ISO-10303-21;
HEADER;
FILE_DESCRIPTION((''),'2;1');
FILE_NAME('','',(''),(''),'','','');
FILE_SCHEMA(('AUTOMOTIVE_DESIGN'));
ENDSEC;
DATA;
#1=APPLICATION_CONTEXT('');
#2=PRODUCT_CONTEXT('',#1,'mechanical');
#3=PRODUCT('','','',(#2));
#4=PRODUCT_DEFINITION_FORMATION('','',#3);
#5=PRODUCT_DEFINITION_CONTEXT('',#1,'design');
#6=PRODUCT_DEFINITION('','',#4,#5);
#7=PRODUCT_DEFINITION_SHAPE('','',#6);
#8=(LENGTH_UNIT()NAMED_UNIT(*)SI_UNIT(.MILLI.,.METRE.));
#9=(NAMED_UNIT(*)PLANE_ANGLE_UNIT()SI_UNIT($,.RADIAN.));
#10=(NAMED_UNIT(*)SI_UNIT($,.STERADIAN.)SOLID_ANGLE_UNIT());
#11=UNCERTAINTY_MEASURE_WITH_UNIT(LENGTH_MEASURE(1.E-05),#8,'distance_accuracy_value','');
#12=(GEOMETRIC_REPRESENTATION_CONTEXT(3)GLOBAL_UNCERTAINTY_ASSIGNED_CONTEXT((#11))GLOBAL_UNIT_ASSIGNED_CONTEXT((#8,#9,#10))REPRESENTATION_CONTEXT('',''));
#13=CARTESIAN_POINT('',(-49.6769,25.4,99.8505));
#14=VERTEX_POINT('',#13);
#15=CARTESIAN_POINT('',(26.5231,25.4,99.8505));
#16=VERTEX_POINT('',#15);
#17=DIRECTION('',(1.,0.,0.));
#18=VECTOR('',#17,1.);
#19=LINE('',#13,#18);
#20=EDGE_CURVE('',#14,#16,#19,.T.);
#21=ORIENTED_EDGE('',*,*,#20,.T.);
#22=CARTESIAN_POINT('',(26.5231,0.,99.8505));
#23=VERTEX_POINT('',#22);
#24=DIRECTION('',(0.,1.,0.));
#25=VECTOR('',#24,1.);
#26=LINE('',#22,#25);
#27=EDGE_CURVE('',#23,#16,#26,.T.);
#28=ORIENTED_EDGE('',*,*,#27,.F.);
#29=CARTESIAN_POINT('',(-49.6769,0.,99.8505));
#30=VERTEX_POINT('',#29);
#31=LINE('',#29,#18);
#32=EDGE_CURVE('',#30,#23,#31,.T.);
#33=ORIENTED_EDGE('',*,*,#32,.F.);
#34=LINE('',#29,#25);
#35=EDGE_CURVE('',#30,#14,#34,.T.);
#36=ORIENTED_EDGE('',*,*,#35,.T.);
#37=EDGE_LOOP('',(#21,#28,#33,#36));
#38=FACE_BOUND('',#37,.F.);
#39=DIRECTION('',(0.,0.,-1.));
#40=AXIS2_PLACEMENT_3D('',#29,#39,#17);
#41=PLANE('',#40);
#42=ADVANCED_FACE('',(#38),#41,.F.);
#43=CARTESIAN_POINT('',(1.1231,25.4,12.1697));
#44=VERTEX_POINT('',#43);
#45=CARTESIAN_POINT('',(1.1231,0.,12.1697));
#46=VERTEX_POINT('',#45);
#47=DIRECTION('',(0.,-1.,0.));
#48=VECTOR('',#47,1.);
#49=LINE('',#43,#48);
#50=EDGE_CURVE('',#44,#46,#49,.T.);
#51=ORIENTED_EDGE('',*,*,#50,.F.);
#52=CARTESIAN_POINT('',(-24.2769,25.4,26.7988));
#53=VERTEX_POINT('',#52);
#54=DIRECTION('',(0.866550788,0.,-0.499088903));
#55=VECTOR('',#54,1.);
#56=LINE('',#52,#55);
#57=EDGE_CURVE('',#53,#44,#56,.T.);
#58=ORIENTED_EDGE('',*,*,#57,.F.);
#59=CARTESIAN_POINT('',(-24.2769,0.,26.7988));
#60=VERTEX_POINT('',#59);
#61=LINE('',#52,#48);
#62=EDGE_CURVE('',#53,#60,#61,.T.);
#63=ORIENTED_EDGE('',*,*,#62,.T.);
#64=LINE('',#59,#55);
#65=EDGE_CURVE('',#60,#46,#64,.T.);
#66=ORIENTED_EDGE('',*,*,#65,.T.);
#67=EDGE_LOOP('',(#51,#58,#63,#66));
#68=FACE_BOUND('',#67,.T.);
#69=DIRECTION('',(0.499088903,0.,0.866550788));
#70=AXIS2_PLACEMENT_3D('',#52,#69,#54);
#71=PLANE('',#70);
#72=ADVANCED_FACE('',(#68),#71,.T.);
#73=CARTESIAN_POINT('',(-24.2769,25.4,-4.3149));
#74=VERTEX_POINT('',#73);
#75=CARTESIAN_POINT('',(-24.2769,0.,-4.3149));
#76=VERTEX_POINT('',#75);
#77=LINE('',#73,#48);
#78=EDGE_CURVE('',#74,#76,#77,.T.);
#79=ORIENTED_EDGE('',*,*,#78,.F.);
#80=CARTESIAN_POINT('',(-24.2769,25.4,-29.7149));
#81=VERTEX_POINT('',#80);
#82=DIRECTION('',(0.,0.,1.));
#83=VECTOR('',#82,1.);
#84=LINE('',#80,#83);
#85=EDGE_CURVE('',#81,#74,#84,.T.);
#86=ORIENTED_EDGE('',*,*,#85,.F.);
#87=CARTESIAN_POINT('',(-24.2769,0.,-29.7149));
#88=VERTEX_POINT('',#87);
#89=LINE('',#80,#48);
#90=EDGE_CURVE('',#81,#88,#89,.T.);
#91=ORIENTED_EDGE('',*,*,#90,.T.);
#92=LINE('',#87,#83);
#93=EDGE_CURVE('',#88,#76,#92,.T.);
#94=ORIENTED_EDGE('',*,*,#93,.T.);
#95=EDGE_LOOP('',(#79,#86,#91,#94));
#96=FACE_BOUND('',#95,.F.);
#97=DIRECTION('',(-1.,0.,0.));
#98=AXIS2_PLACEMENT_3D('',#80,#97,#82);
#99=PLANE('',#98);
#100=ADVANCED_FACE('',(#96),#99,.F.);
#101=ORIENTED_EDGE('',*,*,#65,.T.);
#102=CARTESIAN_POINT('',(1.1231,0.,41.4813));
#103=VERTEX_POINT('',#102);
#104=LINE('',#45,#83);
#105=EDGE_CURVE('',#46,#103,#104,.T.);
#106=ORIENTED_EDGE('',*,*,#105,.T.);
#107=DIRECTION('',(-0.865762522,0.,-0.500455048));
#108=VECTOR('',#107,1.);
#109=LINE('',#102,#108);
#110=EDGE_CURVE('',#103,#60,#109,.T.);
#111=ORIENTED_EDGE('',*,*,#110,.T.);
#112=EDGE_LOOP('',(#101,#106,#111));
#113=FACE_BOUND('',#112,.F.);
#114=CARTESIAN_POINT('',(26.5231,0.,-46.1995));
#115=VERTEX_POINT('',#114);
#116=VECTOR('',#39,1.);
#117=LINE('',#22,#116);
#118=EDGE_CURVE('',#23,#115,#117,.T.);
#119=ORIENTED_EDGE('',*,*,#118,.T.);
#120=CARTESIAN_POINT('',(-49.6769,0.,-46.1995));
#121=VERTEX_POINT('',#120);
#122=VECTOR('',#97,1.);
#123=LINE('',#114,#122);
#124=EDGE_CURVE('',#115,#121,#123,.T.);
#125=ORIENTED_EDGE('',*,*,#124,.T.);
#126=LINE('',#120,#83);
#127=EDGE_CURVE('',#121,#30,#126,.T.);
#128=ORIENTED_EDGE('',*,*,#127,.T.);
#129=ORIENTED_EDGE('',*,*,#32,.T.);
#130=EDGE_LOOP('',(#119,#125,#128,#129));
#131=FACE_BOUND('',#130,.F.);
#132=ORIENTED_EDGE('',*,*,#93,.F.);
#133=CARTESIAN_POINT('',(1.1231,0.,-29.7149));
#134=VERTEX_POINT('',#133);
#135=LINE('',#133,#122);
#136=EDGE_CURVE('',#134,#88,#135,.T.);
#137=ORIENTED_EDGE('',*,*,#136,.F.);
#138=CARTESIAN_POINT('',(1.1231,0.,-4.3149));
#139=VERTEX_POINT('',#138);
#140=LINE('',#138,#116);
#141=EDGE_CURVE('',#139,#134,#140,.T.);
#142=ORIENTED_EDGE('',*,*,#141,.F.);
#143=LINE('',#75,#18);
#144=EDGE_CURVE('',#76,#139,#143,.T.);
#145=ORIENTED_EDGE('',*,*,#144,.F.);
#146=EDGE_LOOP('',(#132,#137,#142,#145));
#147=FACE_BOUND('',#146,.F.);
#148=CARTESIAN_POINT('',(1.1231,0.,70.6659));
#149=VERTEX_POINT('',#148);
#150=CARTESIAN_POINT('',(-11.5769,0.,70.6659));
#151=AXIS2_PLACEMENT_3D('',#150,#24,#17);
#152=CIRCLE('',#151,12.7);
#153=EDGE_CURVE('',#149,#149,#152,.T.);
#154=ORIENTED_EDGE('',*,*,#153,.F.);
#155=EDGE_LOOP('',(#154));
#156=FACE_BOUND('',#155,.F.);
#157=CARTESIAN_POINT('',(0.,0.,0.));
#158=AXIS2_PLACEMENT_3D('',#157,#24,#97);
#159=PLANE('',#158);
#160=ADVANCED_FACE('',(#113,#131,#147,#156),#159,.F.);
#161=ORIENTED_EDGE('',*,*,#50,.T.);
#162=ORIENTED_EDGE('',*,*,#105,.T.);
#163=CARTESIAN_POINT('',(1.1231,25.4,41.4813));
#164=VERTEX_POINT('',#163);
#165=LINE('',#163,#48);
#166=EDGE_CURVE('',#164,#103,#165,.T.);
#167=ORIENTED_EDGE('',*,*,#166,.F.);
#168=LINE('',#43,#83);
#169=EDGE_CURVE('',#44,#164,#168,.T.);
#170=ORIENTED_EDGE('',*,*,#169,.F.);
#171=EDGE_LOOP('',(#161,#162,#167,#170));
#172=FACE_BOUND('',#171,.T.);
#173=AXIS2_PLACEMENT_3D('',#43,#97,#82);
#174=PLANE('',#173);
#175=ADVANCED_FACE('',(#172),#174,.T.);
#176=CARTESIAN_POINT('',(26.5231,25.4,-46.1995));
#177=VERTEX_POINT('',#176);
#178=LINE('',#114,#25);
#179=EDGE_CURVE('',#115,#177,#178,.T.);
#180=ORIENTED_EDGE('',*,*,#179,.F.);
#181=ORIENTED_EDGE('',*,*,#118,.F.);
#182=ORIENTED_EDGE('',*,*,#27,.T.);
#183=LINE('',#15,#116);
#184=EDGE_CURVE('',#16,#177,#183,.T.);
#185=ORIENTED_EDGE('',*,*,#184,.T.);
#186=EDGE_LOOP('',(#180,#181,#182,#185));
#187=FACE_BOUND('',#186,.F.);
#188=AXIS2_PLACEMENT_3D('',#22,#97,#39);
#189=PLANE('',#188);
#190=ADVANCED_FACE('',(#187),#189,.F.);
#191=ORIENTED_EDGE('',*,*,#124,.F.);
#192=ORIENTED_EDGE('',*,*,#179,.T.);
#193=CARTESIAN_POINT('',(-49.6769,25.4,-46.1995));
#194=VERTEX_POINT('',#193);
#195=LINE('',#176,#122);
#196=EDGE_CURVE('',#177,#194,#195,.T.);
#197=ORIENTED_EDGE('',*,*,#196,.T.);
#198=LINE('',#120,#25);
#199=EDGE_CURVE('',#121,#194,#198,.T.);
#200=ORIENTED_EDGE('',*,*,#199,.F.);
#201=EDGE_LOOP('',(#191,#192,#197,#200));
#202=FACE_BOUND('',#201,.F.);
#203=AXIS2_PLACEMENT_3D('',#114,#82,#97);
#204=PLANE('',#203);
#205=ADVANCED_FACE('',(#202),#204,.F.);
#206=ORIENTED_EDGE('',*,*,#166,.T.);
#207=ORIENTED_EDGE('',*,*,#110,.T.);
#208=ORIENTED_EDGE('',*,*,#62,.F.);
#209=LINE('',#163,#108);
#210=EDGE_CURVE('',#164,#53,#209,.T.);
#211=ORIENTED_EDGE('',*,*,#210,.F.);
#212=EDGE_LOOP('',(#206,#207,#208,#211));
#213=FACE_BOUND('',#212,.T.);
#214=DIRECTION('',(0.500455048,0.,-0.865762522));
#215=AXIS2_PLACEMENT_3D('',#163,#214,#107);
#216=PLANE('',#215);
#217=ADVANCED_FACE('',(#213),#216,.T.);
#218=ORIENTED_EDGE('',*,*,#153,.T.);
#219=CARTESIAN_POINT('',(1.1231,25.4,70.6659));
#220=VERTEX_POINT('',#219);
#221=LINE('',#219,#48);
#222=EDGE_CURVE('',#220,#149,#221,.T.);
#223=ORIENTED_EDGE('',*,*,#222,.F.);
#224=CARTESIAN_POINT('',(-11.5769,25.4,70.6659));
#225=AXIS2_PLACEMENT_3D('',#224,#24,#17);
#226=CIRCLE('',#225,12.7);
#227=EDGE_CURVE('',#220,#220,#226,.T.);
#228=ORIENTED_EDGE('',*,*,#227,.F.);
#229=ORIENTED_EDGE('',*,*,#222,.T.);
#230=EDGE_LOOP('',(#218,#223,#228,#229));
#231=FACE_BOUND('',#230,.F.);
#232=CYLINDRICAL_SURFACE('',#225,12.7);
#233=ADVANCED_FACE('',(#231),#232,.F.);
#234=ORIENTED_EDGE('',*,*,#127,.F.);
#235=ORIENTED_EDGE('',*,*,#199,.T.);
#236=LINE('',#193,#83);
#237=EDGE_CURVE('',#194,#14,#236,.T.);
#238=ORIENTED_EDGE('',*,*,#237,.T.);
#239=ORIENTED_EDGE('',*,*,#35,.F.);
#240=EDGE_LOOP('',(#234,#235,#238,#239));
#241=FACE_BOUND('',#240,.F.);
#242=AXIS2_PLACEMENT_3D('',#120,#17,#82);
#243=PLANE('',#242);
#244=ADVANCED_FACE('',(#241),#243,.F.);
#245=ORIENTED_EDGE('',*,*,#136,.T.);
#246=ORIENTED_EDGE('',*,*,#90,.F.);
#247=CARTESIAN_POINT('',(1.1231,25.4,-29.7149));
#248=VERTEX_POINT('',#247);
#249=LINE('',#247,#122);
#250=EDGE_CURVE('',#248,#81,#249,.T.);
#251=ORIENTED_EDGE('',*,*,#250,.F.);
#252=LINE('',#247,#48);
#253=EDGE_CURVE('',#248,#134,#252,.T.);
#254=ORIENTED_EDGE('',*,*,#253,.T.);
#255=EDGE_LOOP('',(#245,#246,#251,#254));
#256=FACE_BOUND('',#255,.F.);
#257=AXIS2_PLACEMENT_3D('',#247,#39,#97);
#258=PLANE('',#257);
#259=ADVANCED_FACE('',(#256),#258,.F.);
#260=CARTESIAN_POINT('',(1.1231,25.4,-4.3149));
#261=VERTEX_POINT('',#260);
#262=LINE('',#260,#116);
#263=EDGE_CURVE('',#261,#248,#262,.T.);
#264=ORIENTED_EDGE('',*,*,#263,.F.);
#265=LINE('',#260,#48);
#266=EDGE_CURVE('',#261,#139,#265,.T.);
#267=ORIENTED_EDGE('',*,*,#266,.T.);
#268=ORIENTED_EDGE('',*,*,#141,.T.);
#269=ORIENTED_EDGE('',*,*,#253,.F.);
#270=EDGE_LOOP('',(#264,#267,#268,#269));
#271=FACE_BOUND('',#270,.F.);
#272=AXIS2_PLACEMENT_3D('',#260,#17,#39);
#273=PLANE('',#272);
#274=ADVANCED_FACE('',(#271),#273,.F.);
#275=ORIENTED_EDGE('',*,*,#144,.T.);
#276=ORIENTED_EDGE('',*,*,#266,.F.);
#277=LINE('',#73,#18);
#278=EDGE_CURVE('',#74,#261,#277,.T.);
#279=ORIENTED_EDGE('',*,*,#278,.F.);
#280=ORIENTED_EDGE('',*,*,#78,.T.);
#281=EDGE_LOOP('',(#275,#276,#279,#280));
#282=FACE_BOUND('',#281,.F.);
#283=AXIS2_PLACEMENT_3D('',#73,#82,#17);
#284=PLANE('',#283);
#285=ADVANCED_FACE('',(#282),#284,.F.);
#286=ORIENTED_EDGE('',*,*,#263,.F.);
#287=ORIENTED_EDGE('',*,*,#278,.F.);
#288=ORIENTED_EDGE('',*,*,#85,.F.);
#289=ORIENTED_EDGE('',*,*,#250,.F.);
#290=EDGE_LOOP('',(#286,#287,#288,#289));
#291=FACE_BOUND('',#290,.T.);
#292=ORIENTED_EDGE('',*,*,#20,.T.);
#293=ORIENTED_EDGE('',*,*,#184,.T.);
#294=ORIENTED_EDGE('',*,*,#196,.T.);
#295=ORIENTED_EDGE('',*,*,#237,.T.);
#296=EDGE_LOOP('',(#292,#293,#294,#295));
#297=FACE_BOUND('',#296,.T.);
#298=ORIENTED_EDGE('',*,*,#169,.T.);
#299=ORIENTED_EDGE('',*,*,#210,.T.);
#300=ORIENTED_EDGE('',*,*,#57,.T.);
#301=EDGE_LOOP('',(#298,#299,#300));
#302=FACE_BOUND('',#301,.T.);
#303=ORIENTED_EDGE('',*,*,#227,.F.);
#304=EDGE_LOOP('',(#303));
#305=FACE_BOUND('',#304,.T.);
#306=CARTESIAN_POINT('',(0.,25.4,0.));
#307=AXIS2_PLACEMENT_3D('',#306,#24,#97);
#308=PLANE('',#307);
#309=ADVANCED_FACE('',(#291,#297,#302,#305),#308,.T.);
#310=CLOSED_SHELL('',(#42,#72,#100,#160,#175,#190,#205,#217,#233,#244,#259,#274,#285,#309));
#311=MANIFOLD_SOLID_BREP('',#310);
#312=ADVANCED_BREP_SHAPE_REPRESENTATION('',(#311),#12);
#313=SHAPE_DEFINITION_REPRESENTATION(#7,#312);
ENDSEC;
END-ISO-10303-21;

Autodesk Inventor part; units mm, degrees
ref_plane "YZ Plane" through (0, 0, 0) normal (1, 0, 0) x (0, 1, 0)
ref_plane "XZ Plane" through (0, 0, 0) normal (0, 1, 0) x (-1, 0, 0)
ref_plane "XY Plane" through (0, 0, 0) normal (0, 0, 1) x (1, 0, 0)
sketch "Sketch1" plane through (0, 0, 0) normal (0, 1, 0) x (-1, 0, 0)
  line L0 (49.6769, 99.8505) -> (-26.5231, 99.8505)
  line L1 (-26.5231, 99.8505) -> (-26.5231, -46.1995)
  line L2 (-26.5231, -46.1995) -> (49.6769, -46.1995)
  line L3 (49.6769, -46.1995) -> (49.6769, 99.8505)
  point P0 (0, 0)
  dimension "d0" = 146.05
  dimension "d1" = 76.2
extrude "Extrusion1" add sketch "Sketch1" along normal blind 25.4
sketch "Sketch2" plane through (0, 25.4, 0) normal (0, 1, 0) x (1, 0, 0)
  circle A0 centre (-11.5769, -70.6659) radius 12.7
  line L0 (-49.6769, 46.1995) -> (-49.6769, -99.8505) projected
  line L1 (-49.6769, -99.8505) -> (26.5231, -99.8505) projected
  point P0 (0, 0)
  dimension "d4" = 25.4
  dimension "d5" = 38.1
  dimension "d6" = 29.1846
extrude "Extrusion2" cut sketch "Sketch2" against normal blind 25.4
sketch "Sketch3" plane through (0, 25.4, 0) normal (0, 1, 0) x (1, 0, 0)
  line L0 (-24.2769, 4.3149) -> (1.1231, 4.3149)
  line L1 (1.1231, 4.3149) -> (1.1231, 29.7149)
  line L2 (1.1231, 29.7149) -> (-24.2769, 29.7149)
  line L3 (-24.2769, 29.7149) -> (-24.2769, 4.3149)
  line L4 (26.5231, 46.1995) -> (-49.6769, 46.1995) projected
  line L5 (26.5231, -99.8505) -> (26.5231, 46.1995) projected
  point P0 (0, 0)
  dimension "d9" = 25.4
  dimension "d10" = 16.4846
  dimension "d11" = 25.4
extrude "Extrusion3" cut sketch "Sketch3" against normal blind 25.4
sketch "Sketch4" plane through (0, 25.4, 0) normal (0, 1, 0) x (1, 0, 0)
  line L0 (1.1231, -12.1697) -> (1.1231, -41.4813)
  line L1 (1.1231, -41.4813) -> (-24.2769, -26.7988)
  line L2 (-24.2769, -26.7988) -> (1.1231, -12.1697)
  line L3 (26.5231, 46.1995) -> (-49.6769, 46.1995) projected
  line L4 (26.5231, -99.8505) -> (26.5231, 46.1995) projected
  point P0 (0, 0)
  dimension "d14" = 25.4
  dimension "d15" = 29.3116
  dimension "d16" = 58.3692
  dimension "d17" = 25.4
extrude "Extrusion4" cut sketch "Sketch4" against normal blind 25.4
properties part number "Pegboard new"
